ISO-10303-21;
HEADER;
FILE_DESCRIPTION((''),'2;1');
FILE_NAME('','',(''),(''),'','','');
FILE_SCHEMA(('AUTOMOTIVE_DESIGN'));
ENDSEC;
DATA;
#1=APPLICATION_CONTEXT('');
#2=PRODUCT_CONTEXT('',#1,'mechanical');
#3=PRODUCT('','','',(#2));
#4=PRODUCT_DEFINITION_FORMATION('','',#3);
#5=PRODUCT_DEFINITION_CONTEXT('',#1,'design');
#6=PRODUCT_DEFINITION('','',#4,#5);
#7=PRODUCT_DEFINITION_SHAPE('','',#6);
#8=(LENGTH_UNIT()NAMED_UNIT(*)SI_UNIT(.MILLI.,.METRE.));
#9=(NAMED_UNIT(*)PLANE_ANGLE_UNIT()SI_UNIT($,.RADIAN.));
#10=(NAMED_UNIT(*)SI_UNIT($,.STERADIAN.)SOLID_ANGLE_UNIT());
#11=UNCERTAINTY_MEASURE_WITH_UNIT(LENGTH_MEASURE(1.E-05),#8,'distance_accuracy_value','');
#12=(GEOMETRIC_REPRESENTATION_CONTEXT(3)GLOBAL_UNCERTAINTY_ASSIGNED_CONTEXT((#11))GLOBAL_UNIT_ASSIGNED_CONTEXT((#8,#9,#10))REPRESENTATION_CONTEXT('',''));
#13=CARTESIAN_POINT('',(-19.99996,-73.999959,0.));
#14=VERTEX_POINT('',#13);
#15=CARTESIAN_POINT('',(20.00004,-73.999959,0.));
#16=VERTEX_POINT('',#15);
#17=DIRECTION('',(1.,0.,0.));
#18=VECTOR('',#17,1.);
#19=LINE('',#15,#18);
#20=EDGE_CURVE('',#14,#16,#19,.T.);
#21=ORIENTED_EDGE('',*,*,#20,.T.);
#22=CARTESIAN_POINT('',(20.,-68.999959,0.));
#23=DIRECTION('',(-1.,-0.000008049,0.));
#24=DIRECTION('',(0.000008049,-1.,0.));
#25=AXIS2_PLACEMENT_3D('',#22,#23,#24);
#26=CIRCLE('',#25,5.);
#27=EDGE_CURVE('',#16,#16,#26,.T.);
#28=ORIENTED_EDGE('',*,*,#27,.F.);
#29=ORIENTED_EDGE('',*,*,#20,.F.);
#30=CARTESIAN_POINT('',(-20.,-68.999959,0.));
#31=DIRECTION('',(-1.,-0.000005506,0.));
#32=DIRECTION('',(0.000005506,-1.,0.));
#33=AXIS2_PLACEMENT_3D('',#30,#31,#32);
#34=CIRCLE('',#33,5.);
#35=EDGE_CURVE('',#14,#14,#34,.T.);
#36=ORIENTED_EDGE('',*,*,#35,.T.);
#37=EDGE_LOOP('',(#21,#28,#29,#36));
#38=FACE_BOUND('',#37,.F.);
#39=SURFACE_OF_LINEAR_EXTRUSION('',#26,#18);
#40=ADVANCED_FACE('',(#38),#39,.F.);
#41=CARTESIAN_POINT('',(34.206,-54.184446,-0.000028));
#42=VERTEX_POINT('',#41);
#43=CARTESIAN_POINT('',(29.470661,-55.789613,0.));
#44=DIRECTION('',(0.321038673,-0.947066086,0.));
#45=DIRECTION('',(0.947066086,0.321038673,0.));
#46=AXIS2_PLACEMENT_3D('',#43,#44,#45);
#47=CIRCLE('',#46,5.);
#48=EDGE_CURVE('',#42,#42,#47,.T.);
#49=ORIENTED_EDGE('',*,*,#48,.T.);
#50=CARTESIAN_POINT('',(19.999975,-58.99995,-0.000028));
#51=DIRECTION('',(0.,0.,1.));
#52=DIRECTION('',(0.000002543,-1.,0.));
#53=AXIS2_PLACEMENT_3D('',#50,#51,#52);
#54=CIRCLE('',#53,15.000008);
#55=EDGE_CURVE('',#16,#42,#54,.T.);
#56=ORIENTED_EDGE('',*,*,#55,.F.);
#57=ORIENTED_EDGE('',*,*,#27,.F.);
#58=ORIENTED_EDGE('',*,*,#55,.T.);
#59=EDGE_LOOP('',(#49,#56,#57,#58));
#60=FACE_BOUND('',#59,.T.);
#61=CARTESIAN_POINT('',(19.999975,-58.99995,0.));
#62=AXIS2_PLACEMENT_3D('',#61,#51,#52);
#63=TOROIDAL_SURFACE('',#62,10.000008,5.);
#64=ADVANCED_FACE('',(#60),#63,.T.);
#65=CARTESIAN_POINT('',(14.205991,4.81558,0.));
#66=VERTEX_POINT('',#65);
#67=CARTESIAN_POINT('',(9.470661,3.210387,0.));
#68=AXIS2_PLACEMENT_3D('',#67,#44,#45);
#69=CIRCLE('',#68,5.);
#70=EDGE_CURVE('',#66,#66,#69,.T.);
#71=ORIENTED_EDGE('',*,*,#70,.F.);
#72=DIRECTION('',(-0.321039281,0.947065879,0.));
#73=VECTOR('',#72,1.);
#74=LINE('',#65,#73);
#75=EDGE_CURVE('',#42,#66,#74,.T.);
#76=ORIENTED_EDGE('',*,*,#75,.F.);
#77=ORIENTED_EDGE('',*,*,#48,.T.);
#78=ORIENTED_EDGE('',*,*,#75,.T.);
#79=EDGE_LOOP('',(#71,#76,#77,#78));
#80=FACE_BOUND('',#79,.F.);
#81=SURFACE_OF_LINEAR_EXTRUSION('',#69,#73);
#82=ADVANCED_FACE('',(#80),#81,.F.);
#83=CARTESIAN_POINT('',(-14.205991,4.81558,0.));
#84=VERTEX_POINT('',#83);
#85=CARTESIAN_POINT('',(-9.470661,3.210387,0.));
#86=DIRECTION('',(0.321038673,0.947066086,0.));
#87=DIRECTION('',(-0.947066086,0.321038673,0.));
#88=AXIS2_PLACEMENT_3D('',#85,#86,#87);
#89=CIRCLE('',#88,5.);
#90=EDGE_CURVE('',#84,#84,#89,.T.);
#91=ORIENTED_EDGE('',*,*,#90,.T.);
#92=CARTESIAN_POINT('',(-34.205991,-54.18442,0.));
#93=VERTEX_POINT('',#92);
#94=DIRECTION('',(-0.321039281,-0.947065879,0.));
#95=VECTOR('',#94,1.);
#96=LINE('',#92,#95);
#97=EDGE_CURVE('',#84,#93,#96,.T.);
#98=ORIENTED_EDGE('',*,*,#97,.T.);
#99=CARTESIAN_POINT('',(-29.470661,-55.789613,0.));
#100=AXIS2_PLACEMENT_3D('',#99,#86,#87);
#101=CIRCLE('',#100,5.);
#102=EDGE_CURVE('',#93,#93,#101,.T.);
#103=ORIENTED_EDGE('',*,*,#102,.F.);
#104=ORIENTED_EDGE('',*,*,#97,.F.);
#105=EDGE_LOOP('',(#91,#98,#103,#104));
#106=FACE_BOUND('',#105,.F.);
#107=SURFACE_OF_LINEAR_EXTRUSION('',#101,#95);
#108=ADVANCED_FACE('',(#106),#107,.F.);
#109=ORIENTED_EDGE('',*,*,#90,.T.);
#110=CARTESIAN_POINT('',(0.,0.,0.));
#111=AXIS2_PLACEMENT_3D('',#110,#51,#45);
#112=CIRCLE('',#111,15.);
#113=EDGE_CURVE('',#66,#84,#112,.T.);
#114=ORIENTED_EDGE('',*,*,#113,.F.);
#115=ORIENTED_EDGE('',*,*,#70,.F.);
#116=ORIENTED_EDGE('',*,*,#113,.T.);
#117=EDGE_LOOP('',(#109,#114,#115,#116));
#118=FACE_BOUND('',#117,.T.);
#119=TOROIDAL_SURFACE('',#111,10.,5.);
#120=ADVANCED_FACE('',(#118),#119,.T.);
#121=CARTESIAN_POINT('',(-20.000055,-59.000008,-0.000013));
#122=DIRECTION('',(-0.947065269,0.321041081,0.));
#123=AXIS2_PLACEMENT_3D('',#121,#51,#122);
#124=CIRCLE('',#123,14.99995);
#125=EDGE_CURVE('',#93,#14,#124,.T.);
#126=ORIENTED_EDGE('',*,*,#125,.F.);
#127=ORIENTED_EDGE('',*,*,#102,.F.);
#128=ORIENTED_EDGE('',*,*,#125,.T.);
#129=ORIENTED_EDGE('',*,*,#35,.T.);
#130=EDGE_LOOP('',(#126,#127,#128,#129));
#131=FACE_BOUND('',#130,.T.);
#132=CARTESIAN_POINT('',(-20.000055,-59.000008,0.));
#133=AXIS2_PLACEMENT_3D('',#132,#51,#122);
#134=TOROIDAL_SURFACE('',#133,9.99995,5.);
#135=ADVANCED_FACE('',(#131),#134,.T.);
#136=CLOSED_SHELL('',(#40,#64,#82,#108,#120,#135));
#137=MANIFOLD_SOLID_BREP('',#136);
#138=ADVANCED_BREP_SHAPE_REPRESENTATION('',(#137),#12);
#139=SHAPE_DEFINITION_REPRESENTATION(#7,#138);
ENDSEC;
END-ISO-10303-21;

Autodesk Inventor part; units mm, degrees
ref_plane "YZ Plane" through (0, 0, 0) normal (1, 0, 0) x (0, 1, 0)
ref_plane "XZ Plane" through (0, 0, 0) normal (0, 1, 0) x (-1, 0, 0)
ref_plane "XY Plane" through (0, 0, 0) normal (0, 0, 1) x (1, 0, 0)
sketch "Sketch1" plane through (0, 0, 0) normal (0, 0, 1) x (1, 0, 0)
  arc A0 (9.4707, 3.2104) -> (-9.4707, 3.2104) centre (0, 0) ccw
  line L0 (9.4707, 3.2104) -> (29.4707, -55.7896)
  arc A1 (20, -69) -> (29.4707, -55.7896) centre (20, -59) ccw
  line L1 (20, -69) -> (-20, -69)
  arc A2 (-29.4707, -55.7896) -> (-20, -69) centre (-20, -59) ccw
  line L2 (-29.4707, -55.7896) -> (-9.4707, 3.2104)
  line L3 (0, 26.2863) -> (0, -87.718) projected
  point P0 (0, 10)
  dimension "d0" = 79
  dimension "d1" = 60
  dimension "d3" = 10
sketch "Sketch2" plane through (0, 0, 0) normal (1, 0, 0) x (0, 1, 0)
  circle A0 centre (10, 0) radius 5
  point P0 (0, 0)
  dimension "d4" = 10
sweep "Sweep1" add profiles "Sketch2" path "Sketch1" path curves A0 L2 A2 L1 A1 L0
properties part number "triange carabiner" material "Steel, Galvanized"
